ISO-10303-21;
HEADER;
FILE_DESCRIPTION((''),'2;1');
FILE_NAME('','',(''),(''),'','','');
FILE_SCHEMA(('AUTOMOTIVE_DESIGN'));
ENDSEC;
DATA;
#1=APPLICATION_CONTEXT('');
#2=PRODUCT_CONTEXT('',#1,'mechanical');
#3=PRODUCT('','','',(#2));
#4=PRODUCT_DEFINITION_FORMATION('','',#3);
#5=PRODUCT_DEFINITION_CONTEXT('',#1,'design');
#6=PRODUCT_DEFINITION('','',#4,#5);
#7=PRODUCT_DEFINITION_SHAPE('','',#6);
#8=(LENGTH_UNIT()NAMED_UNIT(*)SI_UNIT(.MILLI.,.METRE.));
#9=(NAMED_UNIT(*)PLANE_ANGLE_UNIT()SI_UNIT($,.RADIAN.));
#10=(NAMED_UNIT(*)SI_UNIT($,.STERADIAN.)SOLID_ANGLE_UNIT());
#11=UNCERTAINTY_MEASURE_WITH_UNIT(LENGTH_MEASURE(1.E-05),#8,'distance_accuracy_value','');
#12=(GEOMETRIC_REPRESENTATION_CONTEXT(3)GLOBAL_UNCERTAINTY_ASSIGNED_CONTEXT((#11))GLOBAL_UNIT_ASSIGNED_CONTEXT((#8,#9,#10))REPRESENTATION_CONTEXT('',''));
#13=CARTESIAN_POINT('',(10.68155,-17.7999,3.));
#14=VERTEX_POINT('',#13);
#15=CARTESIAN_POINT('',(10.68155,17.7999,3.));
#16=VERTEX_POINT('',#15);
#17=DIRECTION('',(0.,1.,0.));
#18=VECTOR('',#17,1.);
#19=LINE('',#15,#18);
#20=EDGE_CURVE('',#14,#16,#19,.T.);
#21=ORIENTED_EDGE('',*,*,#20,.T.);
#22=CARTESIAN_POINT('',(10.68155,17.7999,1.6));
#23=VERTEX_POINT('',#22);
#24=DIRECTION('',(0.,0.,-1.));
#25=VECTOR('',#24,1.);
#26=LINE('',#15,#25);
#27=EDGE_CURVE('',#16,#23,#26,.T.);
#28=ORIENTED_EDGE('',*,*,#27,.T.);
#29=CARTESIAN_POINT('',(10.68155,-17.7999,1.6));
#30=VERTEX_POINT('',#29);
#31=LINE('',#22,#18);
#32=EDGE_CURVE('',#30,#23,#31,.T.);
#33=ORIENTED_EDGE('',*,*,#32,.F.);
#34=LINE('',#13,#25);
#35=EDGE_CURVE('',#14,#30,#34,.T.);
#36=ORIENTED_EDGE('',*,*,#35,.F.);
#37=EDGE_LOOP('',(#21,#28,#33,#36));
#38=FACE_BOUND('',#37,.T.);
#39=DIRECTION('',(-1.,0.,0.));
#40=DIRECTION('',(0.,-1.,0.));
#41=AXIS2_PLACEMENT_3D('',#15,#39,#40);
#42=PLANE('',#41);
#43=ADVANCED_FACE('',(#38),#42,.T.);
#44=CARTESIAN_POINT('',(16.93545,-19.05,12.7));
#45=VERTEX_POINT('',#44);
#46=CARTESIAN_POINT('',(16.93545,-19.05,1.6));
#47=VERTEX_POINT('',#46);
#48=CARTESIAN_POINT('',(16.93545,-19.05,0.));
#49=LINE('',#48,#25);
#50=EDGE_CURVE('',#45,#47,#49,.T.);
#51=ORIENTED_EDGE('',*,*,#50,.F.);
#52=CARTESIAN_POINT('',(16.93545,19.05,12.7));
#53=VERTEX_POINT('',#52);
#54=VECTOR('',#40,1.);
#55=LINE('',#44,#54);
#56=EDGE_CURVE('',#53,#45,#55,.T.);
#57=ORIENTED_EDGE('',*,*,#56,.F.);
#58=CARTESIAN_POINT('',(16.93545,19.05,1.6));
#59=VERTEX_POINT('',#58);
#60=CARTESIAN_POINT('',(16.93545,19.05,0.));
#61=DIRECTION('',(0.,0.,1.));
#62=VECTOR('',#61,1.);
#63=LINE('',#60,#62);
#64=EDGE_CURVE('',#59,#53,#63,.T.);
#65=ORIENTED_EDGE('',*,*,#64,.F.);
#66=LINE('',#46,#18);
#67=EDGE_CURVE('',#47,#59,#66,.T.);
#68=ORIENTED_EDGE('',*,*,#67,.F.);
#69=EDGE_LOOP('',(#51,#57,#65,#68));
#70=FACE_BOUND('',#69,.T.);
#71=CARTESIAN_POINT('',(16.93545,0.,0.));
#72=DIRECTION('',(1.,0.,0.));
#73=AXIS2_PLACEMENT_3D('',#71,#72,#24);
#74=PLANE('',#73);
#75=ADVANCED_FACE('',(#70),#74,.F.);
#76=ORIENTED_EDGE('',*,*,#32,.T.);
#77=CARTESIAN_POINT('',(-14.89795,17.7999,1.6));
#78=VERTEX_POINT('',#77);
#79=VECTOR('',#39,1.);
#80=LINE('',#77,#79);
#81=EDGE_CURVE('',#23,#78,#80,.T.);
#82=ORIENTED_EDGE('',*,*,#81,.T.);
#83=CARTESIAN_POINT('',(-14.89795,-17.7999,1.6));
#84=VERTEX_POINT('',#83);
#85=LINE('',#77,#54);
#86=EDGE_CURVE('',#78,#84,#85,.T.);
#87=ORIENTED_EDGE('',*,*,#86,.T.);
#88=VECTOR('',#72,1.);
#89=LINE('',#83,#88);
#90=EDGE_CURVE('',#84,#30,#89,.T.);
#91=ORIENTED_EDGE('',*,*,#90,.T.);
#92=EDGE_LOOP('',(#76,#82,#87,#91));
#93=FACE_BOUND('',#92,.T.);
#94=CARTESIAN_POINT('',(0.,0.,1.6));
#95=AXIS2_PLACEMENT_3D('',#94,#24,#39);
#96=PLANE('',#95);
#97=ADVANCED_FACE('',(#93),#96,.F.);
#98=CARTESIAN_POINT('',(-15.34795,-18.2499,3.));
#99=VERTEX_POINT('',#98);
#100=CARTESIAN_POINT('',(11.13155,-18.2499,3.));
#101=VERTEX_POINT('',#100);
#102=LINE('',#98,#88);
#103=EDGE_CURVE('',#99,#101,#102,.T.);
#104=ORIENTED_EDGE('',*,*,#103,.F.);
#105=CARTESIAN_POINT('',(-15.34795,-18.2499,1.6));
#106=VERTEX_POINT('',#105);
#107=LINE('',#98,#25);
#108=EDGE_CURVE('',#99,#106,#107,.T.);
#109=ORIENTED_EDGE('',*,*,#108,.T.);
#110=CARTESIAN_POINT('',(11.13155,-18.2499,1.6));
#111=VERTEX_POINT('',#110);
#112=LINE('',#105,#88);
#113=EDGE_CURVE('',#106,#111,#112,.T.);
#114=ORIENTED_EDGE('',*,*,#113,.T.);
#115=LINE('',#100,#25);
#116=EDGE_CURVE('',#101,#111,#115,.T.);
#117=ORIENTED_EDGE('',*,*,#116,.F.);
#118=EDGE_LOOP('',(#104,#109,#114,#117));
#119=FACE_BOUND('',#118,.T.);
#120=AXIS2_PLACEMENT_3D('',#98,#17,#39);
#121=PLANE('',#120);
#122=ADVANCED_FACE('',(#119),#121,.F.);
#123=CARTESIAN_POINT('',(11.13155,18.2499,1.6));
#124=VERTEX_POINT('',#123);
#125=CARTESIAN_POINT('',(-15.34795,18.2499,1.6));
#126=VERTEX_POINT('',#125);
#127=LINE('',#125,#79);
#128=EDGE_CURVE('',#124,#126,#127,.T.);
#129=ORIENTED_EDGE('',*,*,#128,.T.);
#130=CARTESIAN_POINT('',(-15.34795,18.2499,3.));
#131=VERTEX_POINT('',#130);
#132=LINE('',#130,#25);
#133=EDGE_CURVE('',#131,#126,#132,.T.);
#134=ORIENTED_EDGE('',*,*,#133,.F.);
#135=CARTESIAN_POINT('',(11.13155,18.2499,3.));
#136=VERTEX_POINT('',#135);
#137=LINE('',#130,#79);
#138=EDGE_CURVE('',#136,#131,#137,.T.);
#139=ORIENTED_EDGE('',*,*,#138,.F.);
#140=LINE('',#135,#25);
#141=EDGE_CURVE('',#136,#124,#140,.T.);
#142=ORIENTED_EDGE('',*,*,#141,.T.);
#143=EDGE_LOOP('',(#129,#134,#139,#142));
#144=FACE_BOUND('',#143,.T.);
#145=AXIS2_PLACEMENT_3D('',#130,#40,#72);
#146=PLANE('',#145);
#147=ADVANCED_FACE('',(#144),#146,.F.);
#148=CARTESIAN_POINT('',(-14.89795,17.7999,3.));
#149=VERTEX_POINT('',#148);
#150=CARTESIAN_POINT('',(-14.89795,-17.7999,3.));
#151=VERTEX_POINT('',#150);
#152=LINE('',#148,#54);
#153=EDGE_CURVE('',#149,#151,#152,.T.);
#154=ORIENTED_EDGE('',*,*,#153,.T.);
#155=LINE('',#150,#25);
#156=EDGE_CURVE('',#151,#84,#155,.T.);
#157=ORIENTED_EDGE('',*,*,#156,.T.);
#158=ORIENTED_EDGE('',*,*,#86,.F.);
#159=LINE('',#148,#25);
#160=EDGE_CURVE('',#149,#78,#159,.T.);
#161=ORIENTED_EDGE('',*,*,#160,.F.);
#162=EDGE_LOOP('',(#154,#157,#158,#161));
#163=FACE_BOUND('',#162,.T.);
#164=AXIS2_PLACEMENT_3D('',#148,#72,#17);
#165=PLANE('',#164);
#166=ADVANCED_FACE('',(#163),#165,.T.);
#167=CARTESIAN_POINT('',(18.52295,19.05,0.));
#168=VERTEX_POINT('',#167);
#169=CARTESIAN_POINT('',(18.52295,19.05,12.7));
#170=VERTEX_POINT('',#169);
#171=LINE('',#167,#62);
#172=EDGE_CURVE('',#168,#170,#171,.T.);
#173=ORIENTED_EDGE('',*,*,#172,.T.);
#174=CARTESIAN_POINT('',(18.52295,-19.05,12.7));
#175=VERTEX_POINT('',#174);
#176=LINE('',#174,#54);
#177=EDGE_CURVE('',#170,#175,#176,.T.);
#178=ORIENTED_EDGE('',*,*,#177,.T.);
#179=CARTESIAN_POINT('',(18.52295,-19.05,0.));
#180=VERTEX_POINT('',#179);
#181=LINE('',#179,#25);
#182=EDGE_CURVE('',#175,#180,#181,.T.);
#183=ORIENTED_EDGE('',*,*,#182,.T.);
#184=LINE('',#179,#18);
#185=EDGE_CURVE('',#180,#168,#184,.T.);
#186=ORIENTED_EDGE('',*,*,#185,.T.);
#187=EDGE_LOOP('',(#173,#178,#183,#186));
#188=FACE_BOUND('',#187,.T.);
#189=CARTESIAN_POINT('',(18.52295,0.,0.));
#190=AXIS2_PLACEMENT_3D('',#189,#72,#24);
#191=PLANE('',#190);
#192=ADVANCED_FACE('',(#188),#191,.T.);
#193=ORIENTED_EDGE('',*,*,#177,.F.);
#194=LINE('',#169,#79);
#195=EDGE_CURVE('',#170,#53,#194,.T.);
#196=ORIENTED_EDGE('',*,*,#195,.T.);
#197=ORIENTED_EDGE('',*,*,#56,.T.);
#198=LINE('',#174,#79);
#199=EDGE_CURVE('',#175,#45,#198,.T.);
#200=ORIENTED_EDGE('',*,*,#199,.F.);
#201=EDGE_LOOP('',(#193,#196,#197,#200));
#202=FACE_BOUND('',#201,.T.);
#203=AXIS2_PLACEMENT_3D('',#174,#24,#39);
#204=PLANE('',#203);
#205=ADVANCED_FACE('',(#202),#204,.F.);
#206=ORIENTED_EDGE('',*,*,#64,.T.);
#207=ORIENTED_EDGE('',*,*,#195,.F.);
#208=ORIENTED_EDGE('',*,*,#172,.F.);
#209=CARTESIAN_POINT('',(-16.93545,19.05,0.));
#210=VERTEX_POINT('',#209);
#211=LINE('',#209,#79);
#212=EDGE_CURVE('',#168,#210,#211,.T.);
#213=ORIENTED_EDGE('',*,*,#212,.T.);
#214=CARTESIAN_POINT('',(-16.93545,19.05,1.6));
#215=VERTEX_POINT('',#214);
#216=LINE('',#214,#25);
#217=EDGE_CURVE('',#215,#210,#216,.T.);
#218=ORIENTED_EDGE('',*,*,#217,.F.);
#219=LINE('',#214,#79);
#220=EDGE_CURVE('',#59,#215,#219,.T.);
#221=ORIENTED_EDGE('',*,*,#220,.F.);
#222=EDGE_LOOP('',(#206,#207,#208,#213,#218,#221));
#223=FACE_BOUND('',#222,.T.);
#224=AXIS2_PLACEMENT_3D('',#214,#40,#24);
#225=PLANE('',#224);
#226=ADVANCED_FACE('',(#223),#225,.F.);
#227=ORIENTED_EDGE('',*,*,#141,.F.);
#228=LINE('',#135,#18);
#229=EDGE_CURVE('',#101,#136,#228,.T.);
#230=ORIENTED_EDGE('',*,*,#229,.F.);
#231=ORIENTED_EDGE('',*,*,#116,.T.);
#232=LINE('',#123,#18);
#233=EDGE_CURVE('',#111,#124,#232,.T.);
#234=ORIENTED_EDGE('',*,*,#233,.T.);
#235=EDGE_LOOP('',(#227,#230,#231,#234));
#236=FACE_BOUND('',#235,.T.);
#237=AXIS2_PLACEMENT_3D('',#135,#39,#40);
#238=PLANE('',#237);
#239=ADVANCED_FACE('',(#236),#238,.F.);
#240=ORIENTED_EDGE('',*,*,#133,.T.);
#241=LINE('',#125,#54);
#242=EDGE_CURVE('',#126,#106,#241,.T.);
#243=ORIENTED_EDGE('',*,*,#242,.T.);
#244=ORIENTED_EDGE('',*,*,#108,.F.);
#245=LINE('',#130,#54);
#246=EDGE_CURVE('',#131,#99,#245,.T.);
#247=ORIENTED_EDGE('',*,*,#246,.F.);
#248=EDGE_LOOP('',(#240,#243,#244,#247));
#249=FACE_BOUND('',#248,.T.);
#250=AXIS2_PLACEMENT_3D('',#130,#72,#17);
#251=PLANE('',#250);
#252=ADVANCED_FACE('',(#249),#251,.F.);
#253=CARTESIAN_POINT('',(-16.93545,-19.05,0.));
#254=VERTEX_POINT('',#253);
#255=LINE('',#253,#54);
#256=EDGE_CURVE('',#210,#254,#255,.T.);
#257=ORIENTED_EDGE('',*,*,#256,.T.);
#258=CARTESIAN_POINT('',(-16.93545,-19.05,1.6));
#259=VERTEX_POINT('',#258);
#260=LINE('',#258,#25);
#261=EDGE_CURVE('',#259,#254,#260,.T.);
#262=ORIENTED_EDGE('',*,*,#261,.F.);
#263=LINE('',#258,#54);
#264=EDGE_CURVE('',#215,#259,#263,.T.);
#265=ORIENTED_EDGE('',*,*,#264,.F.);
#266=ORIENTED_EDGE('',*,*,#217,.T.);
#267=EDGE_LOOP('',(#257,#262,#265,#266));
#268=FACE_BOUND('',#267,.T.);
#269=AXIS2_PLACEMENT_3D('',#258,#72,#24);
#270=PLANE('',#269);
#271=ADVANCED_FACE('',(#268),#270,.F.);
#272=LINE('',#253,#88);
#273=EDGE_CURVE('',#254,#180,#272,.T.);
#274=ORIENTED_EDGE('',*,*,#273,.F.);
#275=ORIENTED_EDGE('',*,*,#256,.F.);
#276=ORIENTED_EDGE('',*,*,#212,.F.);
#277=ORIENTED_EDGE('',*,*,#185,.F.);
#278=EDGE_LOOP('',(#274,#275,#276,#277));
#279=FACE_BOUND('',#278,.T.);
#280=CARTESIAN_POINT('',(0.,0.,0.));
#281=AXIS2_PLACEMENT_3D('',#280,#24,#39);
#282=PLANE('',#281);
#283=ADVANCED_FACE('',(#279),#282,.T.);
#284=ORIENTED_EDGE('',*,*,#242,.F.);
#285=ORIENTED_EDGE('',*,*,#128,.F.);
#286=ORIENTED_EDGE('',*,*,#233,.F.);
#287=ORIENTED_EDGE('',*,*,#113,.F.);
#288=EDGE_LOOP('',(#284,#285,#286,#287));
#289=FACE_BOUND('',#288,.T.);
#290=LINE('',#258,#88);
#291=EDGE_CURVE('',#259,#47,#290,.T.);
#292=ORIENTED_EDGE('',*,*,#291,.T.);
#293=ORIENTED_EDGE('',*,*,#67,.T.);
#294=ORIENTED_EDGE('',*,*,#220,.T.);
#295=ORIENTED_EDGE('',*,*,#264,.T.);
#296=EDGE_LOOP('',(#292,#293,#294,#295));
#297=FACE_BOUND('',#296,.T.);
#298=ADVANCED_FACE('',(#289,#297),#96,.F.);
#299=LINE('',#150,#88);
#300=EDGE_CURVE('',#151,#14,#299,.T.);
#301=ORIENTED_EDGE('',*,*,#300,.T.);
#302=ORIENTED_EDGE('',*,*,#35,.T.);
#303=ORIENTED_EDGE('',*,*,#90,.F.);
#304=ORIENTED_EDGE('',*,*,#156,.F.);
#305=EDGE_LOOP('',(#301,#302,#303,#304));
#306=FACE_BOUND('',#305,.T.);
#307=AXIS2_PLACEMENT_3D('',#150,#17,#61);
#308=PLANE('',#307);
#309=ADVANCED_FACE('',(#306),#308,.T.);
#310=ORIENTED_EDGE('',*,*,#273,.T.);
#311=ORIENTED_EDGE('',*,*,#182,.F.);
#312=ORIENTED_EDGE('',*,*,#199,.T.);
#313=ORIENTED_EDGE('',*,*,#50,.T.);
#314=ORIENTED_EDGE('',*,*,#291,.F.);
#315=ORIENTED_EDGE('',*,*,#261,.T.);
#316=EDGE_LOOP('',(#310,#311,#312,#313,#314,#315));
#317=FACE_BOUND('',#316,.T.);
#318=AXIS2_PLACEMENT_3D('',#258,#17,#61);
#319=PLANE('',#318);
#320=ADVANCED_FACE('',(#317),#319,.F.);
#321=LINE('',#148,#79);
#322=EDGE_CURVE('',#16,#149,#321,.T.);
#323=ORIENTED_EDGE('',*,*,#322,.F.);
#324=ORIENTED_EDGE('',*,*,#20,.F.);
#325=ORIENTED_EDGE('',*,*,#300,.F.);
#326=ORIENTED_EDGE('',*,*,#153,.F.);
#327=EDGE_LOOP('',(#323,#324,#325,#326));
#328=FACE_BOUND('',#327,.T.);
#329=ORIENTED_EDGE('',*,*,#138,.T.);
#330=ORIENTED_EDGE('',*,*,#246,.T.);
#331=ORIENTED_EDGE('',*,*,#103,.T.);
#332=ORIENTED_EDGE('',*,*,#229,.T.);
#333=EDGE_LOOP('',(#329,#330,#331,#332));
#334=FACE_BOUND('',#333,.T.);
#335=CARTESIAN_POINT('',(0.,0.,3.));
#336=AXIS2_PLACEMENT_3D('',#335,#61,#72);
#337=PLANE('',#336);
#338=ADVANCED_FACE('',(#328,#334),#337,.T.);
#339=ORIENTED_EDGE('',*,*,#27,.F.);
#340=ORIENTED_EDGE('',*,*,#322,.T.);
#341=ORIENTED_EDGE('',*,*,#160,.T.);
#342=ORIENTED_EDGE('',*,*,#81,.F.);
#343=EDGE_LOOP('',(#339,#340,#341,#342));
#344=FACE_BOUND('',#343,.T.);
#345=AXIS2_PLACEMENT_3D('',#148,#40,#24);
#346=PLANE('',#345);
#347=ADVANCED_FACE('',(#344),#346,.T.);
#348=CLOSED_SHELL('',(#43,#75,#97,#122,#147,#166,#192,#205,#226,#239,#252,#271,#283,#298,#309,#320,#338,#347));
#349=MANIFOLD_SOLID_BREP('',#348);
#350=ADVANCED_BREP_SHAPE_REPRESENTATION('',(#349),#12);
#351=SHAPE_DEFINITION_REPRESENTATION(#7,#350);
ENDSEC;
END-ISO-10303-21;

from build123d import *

# Parameters (mm, degrees)
SKETCH1_W           = 33.8709
SKETCH1_H           = 38.1
BOSS_EXTRUDE1_DEPTH = 1.599999848
SKETCH2_W           = 26.4795
SKETCH2_H           = 36.4998
SKETCH2_W_2         = 25.5795
SKETCH2_H_2         = 35.5998
BOSS_EXTRUDE2_DEPTH = 1.4
SKETCH3_W           = 12.7
SKETCH3_H           = 38.1
BOSS_EXTRUDE3_DEPTH = 1.5875


with BuildPart() as part:
    # Sketch1 → Boss-Extrude1 (new body)
    with BuildSketch(Plane.XY):
        Rectangle(SKETCH1_W, SKETCH1_H)
    extrude(amount=BOSS_EXTRUDE1_DEPTH)

    # Sketch2 → Boss-Extrude2 (add)
    with BuildSketch(Plane.XY.offset(1.599999848)):
        with Locations((-2.1082, 0)):
            Rectangle(SKETCH2_W, SKETCH2_H)
        with Locations((-2.1082, 0)):
            Rectangle(SKETCH2_W_2, SKETCH2_H_2, mode=Mode.SUBTRACT)
    extrude(amount=BOSS_EXTRUDE2_DEPTH)

    # Sketch3 → Boss-Extrude3 (add)
    with BuildSketch(Plane(origin=(16.93545, 0, 0), x_dir=(0, 0, -1), z_dir=(1, 0, 0))):
        with Locations((-6.35, 0)):
            Rectangle(SKETCH3_W, SKETCH3_H)
    extrude(amount=BOSS_EXTRUDE3_DEPTH)


solid = part.part
